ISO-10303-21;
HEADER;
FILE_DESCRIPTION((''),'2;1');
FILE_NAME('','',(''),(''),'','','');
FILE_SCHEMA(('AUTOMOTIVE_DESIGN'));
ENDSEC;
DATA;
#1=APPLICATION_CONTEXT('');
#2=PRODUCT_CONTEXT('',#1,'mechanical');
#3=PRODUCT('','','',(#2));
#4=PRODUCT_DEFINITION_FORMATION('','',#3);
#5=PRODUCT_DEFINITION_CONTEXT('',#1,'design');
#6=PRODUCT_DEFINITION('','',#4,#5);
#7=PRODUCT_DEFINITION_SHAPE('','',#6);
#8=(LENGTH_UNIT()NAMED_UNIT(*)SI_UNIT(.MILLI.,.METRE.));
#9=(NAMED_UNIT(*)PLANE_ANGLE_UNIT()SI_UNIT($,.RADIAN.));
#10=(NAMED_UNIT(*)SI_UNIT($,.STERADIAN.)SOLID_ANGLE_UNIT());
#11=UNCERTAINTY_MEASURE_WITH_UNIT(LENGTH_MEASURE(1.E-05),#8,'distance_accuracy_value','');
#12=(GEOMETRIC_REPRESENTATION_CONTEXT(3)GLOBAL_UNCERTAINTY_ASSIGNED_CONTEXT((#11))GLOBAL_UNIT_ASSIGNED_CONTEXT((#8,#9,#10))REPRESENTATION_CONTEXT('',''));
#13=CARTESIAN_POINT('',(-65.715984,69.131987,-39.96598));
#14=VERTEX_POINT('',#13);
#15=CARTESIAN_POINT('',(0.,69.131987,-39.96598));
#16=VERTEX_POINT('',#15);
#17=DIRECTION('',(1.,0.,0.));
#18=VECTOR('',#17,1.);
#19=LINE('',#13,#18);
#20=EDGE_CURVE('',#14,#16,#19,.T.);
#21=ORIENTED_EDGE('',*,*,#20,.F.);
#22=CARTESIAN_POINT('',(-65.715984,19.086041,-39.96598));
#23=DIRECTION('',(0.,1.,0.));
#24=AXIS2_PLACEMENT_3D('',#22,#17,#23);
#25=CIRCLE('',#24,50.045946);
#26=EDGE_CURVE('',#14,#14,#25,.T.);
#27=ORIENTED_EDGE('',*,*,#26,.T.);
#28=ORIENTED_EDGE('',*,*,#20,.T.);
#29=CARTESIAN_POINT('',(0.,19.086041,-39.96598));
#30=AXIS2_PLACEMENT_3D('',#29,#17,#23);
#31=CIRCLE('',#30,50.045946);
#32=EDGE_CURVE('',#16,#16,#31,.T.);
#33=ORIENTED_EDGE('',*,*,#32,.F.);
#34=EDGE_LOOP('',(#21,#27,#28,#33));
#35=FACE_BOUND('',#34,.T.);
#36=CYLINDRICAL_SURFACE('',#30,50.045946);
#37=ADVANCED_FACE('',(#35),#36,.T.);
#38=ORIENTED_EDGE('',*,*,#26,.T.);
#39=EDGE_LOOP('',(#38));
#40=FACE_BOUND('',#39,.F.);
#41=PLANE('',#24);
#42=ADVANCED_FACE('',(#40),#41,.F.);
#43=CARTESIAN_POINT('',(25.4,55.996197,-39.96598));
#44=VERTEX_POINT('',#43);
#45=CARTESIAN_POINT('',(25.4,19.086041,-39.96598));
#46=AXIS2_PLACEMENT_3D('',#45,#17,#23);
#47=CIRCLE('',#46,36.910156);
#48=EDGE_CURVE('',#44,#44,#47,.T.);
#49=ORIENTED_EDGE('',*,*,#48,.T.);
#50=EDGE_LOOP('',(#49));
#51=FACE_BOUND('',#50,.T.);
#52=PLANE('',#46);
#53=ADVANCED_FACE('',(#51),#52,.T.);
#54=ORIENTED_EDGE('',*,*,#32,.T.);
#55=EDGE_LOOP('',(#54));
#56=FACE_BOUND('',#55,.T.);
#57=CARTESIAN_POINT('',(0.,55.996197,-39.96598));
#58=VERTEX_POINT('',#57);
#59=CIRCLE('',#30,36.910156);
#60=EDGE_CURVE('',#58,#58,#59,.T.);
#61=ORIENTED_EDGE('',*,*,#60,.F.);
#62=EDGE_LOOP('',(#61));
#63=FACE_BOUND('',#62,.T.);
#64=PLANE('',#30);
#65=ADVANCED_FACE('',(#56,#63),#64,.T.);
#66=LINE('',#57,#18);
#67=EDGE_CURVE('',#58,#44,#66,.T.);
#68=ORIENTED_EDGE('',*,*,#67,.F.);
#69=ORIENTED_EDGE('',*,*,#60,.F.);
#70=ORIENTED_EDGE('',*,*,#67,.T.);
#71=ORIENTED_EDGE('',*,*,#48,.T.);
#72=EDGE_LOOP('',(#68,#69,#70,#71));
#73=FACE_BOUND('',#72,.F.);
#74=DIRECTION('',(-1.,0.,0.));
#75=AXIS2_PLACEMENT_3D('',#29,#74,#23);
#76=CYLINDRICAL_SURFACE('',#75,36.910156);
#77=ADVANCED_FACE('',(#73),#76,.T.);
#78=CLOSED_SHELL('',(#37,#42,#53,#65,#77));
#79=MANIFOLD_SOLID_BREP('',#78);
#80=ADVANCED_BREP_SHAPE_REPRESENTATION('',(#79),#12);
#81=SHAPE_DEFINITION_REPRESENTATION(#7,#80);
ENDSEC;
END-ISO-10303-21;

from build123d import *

# Parameters (mm, degrees)
F0_R       = 50.0459463607
F1_DEPTH   = 65.71598351
F2_R       = 36.9101564502
F1_FACE1_R = 50.0459463607
F3_DEPTH   = 25.4


with BuildPart() as f1:
    # F0 (on Right) → F1 (new body)
    with BuildSketch(Plane.YZ):
        with Locations((19.0860405564, -39.9659797549)):
            Circle(F0_R)
    extrude(amount=-F1_DEPTH)

    # F2 (on face) + F1_face1 (on face) → F3 (join)
    with BuildSketch(Plane.YZ):
        with Locations((19.0860405564, -39.9659797549)):
            Circle(F2_R)
    with BuildSketch(Plane(origin=(-65.71598351, 19.0860405564, -39.9659797549), x_dir=(0, 1, 0), z_dir=(-1, 0, 0))):
        Circle(F1_FACE1_R)
    extrude(amount=F3_DEPTH, dir=(1, 0, 0))


solid = f1.part
